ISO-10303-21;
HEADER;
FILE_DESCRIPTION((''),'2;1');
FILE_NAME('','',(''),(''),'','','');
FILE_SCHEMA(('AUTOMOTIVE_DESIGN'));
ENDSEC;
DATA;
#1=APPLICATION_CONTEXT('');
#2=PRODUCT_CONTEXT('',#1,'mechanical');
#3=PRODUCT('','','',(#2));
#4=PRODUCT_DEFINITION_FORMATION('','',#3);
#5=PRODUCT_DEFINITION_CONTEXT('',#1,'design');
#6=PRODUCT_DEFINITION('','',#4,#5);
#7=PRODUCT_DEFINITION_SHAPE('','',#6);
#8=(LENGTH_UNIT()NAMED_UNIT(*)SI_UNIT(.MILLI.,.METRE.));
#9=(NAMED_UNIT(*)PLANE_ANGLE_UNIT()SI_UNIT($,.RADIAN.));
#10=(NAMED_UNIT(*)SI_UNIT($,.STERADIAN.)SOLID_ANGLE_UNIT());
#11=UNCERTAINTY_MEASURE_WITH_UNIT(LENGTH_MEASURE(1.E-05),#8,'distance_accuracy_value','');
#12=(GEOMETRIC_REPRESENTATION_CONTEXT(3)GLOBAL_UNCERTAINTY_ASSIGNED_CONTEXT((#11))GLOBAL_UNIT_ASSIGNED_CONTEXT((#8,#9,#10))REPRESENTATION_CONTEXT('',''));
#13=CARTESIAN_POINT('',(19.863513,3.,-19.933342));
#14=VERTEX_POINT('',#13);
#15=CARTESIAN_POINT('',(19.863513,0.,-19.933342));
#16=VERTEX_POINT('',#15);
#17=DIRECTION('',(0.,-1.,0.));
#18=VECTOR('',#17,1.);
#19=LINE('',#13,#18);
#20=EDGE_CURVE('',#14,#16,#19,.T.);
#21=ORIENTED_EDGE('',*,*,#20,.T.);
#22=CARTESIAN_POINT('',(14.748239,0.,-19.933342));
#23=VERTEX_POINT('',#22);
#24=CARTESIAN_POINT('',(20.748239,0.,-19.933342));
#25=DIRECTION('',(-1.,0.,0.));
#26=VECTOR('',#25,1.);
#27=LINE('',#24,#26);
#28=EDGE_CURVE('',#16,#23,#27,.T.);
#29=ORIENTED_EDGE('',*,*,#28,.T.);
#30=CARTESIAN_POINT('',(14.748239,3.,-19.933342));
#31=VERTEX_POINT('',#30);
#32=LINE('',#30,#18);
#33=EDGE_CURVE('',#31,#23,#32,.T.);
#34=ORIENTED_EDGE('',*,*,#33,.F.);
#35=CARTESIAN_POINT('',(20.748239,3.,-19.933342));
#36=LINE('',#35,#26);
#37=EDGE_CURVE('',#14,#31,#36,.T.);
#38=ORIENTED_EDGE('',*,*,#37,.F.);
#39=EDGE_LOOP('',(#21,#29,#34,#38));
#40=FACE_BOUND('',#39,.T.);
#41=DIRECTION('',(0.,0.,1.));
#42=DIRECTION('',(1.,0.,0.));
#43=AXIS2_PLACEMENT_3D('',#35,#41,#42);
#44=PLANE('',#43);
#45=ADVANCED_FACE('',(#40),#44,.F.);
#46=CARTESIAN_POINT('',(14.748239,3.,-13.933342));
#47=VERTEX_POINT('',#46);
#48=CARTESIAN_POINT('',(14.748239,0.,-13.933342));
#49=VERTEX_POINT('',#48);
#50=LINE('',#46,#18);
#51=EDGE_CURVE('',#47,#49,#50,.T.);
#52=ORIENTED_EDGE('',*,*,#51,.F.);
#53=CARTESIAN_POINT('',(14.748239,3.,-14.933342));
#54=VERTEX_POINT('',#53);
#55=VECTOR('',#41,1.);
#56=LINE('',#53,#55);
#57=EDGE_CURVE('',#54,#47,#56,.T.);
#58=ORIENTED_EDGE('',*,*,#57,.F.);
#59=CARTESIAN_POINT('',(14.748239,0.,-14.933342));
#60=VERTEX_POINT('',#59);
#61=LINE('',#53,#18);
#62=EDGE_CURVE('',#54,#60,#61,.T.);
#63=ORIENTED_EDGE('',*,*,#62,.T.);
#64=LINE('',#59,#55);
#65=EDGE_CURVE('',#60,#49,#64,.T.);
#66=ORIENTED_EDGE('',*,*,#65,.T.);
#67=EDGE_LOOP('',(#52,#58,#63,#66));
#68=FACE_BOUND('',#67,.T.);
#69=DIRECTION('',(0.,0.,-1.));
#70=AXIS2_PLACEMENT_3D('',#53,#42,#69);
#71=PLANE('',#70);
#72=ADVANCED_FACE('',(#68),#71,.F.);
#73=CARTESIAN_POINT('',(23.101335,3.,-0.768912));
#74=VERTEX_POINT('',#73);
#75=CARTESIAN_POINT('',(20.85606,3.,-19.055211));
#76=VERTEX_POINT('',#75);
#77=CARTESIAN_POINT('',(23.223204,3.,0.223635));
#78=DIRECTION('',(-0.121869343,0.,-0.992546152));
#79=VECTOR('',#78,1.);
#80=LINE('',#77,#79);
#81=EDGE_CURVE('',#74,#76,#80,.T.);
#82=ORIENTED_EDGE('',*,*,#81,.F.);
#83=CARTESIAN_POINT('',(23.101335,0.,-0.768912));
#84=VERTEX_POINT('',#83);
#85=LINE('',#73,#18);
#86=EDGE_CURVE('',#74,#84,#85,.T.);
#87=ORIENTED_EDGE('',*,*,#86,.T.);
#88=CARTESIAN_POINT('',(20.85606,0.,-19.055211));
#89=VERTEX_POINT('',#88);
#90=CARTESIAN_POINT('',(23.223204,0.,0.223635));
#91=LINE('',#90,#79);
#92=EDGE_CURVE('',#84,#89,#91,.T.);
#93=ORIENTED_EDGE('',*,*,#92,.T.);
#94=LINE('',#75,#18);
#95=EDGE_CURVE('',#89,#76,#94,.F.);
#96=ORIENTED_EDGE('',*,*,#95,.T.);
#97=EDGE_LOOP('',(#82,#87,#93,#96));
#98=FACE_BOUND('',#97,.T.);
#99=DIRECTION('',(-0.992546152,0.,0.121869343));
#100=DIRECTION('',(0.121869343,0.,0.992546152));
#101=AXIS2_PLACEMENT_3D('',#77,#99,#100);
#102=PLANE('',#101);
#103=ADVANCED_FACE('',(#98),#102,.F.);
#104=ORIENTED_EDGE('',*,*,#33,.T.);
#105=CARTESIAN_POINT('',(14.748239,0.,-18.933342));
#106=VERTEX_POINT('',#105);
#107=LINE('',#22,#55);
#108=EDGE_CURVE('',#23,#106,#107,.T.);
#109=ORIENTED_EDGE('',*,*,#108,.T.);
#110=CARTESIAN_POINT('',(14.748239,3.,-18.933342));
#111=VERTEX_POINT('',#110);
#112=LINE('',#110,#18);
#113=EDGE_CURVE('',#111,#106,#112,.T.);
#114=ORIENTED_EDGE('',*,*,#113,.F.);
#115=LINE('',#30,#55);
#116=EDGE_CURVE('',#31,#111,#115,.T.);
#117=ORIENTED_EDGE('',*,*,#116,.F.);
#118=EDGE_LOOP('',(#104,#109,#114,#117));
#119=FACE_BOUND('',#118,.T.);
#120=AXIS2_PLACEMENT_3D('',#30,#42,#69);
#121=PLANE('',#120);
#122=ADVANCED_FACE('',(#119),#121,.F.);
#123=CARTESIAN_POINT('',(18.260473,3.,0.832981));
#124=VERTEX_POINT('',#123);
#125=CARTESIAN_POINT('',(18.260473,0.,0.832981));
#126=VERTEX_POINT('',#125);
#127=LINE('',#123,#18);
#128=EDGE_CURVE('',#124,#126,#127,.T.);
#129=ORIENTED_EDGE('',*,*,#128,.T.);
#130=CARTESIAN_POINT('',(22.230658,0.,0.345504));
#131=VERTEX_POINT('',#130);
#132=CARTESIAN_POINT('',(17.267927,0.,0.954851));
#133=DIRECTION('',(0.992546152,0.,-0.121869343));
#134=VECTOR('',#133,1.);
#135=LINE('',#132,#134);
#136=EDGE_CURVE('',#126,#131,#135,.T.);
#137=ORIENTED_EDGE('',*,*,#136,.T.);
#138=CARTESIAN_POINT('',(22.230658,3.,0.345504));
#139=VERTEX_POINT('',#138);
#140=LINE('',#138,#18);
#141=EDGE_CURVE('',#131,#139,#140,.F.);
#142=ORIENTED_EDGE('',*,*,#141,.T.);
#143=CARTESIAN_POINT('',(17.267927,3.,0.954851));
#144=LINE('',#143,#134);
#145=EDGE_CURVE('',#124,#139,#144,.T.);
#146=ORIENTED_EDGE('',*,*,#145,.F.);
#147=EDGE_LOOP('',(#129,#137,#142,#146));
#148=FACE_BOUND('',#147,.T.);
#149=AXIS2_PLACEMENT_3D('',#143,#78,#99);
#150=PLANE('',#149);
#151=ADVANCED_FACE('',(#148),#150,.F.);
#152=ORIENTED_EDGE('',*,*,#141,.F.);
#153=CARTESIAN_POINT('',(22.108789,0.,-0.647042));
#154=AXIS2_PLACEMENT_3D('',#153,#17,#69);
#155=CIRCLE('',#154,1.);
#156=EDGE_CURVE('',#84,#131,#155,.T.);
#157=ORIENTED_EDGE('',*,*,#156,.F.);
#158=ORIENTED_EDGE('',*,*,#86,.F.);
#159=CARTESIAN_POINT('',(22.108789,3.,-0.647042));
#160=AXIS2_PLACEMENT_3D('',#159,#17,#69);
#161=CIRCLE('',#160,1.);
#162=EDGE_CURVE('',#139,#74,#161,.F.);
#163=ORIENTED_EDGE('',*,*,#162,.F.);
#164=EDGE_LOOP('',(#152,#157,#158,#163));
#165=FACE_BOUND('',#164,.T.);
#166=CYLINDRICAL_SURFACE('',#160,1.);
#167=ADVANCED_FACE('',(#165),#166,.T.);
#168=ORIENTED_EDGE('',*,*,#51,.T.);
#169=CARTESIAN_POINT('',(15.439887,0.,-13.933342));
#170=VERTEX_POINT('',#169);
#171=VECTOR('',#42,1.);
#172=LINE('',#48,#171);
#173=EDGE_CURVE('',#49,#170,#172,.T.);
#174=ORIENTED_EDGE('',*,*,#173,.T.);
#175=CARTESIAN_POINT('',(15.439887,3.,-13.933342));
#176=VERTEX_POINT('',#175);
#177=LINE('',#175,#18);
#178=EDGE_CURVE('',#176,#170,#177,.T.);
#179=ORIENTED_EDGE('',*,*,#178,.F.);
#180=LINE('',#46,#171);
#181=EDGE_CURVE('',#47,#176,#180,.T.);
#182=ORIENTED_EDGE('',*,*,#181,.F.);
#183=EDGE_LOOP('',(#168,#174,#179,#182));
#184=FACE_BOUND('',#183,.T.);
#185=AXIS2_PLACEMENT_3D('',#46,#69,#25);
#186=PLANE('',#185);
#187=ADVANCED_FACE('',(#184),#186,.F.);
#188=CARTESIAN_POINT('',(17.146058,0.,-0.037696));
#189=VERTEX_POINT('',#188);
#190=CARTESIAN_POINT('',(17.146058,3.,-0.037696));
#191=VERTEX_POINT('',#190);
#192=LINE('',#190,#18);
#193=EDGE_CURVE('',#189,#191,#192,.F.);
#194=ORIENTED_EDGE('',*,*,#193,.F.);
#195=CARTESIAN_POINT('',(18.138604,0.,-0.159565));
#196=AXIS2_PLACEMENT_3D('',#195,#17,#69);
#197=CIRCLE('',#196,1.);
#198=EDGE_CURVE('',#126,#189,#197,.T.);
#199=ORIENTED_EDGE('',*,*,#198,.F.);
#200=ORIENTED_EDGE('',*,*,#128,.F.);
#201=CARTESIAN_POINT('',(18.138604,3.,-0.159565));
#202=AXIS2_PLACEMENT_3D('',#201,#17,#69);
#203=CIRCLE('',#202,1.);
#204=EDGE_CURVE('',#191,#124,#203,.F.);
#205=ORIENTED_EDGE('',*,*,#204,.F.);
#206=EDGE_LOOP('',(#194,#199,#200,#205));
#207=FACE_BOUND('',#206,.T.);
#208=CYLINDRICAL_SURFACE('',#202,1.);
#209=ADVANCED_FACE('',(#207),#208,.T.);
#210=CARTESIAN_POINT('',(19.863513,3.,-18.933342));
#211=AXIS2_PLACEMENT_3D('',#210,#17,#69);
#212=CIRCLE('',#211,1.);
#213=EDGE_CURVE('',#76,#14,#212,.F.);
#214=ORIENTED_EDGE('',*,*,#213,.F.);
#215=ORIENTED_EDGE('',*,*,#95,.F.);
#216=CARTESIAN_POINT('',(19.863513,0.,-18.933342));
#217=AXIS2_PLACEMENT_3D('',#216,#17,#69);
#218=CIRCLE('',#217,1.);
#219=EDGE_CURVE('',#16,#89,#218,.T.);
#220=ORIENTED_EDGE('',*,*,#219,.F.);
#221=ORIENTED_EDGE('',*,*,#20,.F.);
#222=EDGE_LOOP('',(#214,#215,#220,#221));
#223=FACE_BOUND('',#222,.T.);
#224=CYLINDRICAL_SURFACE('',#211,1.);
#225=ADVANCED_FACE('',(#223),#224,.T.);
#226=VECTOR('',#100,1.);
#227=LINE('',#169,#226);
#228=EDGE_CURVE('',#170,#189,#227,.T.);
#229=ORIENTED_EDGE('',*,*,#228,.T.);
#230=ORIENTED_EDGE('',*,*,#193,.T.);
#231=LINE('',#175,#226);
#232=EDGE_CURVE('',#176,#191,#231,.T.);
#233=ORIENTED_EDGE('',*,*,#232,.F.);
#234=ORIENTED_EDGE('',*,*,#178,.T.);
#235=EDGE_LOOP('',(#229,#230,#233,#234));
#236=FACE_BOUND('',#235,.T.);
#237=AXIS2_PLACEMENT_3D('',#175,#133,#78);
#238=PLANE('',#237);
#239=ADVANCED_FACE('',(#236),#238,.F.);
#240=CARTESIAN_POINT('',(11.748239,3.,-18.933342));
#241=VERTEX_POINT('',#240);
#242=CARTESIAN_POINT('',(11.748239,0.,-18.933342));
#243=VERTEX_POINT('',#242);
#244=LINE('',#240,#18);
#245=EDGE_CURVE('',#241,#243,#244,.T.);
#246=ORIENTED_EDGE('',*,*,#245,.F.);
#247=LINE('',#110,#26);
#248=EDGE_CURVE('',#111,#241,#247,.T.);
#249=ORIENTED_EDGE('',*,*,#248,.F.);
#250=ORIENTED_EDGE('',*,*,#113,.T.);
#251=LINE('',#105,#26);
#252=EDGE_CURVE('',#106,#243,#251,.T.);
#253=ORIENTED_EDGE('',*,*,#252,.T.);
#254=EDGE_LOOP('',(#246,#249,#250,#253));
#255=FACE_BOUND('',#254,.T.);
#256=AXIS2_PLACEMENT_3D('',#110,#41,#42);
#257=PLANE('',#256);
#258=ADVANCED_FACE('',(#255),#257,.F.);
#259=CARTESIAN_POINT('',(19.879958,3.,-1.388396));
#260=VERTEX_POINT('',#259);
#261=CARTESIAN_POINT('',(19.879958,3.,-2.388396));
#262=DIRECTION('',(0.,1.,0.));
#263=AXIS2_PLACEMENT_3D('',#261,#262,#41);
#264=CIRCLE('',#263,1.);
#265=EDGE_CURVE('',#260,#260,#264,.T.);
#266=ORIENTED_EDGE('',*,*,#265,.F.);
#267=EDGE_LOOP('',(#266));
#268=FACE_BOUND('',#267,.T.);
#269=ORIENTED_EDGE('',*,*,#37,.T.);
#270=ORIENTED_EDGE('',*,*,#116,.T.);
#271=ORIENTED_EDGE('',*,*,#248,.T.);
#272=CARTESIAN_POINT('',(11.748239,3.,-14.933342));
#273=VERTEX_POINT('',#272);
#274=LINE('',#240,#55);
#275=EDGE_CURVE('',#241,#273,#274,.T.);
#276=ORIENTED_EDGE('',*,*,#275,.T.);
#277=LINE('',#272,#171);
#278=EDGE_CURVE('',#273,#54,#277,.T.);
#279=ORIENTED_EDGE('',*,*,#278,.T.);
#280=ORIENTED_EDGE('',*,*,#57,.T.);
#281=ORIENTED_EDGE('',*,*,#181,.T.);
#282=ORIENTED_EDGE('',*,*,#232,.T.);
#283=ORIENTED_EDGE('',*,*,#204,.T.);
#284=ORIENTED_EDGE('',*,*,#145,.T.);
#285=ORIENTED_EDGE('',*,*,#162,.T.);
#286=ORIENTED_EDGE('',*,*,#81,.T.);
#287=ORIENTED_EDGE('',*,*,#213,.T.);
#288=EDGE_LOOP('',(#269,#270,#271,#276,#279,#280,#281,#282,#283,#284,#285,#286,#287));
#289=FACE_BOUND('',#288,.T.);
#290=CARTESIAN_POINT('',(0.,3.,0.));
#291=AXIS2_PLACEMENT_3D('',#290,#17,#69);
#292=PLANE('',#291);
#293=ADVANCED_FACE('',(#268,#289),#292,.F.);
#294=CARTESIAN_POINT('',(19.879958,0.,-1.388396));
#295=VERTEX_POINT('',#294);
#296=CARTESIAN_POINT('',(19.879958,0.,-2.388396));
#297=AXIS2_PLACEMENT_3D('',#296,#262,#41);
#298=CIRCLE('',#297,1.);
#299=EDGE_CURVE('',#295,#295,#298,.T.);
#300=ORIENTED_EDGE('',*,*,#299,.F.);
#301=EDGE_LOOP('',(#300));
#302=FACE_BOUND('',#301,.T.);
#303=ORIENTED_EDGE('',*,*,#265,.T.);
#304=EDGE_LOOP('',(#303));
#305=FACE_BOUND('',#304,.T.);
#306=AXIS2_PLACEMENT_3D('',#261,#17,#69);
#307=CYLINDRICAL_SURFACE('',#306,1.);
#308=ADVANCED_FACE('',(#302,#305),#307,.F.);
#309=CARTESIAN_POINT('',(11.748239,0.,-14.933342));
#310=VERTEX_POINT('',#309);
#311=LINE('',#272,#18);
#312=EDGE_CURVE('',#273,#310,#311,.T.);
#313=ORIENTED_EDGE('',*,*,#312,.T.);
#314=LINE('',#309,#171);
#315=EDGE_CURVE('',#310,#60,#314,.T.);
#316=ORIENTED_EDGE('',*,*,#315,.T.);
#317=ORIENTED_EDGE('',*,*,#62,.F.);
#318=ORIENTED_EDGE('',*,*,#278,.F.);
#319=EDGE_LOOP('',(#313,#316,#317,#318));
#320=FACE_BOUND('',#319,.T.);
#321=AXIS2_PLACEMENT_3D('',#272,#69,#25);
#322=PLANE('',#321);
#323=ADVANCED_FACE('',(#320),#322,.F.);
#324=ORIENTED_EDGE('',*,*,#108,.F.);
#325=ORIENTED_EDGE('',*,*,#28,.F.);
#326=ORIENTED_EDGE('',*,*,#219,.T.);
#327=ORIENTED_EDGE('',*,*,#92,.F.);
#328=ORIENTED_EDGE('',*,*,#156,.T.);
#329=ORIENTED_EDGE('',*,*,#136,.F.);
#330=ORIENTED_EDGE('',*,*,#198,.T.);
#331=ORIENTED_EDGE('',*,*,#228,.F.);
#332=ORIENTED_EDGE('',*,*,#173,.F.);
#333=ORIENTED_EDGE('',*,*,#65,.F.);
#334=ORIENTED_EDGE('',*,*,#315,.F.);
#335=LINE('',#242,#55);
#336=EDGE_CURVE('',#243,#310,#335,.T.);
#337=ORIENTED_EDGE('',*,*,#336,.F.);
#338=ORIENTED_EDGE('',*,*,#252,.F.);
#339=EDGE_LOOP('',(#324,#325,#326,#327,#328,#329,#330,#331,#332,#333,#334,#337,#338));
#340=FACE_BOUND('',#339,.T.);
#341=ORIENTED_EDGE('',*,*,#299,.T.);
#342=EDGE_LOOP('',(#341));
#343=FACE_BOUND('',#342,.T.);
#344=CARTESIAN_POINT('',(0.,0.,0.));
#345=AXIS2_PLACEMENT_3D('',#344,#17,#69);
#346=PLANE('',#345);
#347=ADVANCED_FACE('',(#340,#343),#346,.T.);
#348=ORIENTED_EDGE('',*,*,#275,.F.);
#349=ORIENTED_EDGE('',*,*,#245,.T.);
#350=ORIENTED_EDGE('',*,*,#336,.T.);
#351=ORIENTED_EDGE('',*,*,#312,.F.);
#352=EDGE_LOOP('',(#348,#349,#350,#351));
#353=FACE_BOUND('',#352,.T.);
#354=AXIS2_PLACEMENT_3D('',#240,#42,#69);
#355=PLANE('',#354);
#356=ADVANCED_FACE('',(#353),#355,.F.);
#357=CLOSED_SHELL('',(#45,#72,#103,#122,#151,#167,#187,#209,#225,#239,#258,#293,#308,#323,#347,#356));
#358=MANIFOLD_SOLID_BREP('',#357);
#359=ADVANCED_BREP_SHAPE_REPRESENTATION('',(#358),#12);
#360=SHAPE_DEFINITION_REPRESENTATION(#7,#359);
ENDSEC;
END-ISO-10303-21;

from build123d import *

# Parameters (mm, degrees)
SKETCH2_R           = 1
BOSS_EXTRUDE1_DEPTH = 3
FILLET1_R           = 1


with BuildPart() as part:
    # Sketch2 → Boss-Extrude1 (new body)
    with BuildSketch(Plane(origin=(0, 0, 0), x_dir=(1, 0, 0), z_dir=(0, 1, 0))):
        Polygon((20.748238747, 19.933341623), (14.748238747, 19.933341623), (14.748238747, 18.933341623), (11.748238747, 18.933341623), (11.748238747, 14.933341623), (14.748238747, 14.933341623), (14.748238747, 13.933341623), (15.43988716, 13.933341623), (17.267927311, -0.954850651), (23.22320422, -0.223634591), align=None)
        with Locations(Location((19.879957735, 2.388395834, 0), (0, 0, 270))):
            Circle(SKETCH2_R, mode=Mode.SUBTRACT)
    extrude(amount=BOSS_EXTRUDE1_DEPTH)

    # Fillet1
    fillet1_edges = [part.edges().sort_by_distance(p)[0] for p in [
        (20.748238747, 1.5, -19.933341623),
        (23.22320422, 1.5, 0.223634591),
        (17.267927311, 1.5, 0.954850651),
    ]]
    fillet(fillet1_edges, radius=FILLET1_R)


solid = part.part
